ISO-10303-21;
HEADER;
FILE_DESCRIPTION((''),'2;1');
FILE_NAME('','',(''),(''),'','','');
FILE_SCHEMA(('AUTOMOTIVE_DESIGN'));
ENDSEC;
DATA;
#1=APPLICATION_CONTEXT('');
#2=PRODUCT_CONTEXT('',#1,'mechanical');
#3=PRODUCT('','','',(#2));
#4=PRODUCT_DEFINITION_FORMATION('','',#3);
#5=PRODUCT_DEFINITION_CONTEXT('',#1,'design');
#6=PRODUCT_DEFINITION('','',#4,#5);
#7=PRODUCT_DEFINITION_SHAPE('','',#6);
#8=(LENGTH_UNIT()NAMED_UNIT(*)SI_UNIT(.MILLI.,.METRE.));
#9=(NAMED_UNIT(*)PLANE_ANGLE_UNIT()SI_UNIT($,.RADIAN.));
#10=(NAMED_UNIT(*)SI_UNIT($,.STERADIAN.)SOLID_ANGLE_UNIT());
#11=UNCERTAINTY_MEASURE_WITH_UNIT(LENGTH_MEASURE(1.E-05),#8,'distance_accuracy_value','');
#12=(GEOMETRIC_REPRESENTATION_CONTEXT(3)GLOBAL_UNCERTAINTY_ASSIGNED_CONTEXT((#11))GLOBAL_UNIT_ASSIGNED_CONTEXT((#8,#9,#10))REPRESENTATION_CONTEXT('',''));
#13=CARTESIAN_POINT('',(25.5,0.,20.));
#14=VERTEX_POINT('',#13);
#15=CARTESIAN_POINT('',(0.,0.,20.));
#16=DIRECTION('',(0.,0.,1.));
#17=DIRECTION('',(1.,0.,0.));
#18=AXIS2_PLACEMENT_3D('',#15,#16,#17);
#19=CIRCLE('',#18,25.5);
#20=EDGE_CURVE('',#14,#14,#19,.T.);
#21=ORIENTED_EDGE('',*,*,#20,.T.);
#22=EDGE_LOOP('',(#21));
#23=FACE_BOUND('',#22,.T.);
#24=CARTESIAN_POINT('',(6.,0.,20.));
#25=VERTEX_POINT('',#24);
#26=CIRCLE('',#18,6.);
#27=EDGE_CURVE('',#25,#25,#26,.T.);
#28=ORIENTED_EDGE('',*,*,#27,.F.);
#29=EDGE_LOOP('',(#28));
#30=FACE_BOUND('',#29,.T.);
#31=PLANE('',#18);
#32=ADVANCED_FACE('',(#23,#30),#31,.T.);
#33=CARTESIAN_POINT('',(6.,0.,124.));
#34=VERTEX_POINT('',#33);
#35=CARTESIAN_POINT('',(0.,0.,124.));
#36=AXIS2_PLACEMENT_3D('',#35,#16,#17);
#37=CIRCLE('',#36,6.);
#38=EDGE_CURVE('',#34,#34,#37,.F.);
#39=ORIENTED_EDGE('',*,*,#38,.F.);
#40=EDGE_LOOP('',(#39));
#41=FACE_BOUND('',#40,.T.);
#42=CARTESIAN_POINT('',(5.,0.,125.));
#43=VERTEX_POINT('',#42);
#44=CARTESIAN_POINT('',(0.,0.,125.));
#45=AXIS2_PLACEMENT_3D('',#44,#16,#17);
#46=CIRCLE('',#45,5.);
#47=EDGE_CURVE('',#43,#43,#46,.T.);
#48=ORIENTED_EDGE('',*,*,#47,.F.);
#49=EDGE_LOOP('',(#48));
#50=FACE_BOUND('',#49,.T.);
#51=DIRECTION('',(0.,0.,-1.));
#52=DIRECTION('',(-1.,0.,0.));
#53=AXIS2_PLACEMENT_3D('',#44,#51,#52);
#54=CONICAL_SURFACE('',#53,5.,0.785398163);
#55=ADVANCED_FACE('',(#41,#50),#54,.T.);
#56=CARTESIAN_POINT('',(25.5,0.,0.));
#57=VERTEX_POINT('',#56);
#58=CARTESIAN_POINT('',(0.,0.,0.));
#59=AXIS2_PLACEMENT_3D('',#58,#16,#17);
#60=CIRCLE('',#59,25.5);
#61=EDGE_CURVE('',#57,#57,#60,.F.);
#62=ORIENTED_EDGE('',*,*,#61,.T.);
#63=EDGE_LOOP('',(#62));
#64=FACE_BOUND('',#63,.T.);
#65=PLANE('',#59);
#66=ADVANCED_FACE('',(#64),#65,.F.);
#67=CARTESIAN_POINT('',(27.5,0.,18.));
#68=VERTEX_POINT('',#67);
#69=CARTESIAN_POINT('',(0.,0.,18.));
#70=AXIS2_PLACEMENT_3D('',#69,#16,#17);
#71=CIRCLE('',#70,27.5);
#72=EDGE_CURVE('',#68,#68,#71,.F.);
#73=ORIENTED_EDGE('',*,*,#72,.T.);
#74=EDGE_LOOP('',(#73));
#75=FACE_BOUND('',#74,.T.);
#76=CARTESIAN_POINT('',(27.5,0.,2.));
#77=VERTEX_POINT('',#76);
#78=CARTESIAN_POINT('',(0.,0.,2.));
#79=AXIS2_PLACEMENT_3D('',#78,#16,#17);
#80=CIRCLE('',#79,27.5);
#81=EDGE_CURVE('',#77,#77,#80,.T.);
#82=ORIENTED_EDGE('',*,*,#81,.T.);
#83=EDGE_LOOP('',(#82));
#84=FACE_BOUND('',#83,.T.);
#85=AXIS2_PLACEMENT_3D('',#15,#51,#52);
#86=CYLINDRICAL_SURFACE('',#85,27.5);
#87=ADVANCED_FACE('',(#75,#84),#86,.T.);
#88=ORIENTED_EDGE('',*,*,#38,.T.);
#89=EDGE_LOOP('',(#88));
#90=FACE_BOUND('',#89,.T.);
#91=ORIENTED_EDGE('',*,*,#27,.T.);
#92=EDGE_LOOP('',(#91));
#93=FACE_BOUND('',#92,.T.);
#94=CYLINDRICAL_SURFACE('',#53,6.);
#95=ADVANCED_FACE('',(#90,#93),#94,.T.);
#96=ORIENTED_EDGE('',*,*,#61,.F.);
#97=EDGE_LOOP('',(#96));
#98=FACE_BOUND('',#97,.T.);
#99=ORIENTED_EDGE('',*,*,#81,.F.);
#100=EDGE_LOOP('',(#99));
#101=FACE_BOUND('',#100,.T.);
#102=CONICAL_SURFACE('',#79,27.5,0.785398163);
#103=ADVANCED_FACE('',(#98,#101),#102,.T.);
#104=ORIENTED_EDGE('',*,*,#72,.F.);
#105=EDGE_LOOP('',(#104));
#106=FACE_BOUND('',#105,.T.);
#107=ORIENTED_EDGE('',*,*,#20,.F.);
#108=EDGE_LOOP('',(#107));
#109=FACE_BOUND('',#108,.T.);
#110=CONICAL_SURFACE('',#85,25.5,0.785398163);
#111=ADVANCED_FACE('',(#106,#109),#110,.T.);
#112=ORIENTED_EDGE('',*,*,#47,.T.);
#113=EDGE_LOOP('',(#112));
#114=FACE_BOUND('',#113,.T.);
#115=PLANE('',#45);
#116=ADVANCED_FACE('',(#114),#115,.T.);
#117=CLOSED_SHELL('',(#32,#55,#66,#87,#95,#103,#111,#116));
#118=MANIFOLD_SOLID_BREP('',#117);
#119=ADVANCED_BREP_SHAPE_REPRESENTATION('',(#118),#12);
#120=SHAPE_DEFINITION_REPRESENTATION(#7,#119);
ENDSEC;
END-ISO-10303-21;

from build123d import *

# Parameters (mm, degrees)
SKETCH1_R           = 27.5
BOSS_EXTRUDE1_DEPTH = 20
SKETCH2_R           = 6
BOSS_EXTRUDE2_DEPTH = 105
CHAMFER1_SIZE       = 1
CHAMFER2_SIZE       = 2


with BuildPart() as part:
    # Sketch1 → Boss-Extrude1 (new body)
    with BuildSketch(Plane.XY):
        Circle(SKETCH1_R)
    extrude(amount=BOSS_EXTRUDE1_DEPTH)

    # Sketch2 → Boss-Extrude2 (add)
    with BuildSketch(Plane.XY.offset(20)):
        Circle(SKETCH2_R)
    extrude(amount=BOSS_EXTRUDE2_DEPTH)

    # Chamfer1
    chamfer1_edges = [part.edges().sort_by_distance(p)[0] for p in [
        (-6, 0, 125),
    ]]
    chamfer(chamfer1_edges, length=CHAMFER1_SIZE)

    # Chamfer2
    chamfer2_edges = [part.edges().sort_by_distance(p)[0] for p in [
        (-27.5, 0, 0),
        (-27.5, 0, 20),
    ]]
    chamfer(chamfer2_edges, length=CHAMFER2_SIZE)


solid = part.part
